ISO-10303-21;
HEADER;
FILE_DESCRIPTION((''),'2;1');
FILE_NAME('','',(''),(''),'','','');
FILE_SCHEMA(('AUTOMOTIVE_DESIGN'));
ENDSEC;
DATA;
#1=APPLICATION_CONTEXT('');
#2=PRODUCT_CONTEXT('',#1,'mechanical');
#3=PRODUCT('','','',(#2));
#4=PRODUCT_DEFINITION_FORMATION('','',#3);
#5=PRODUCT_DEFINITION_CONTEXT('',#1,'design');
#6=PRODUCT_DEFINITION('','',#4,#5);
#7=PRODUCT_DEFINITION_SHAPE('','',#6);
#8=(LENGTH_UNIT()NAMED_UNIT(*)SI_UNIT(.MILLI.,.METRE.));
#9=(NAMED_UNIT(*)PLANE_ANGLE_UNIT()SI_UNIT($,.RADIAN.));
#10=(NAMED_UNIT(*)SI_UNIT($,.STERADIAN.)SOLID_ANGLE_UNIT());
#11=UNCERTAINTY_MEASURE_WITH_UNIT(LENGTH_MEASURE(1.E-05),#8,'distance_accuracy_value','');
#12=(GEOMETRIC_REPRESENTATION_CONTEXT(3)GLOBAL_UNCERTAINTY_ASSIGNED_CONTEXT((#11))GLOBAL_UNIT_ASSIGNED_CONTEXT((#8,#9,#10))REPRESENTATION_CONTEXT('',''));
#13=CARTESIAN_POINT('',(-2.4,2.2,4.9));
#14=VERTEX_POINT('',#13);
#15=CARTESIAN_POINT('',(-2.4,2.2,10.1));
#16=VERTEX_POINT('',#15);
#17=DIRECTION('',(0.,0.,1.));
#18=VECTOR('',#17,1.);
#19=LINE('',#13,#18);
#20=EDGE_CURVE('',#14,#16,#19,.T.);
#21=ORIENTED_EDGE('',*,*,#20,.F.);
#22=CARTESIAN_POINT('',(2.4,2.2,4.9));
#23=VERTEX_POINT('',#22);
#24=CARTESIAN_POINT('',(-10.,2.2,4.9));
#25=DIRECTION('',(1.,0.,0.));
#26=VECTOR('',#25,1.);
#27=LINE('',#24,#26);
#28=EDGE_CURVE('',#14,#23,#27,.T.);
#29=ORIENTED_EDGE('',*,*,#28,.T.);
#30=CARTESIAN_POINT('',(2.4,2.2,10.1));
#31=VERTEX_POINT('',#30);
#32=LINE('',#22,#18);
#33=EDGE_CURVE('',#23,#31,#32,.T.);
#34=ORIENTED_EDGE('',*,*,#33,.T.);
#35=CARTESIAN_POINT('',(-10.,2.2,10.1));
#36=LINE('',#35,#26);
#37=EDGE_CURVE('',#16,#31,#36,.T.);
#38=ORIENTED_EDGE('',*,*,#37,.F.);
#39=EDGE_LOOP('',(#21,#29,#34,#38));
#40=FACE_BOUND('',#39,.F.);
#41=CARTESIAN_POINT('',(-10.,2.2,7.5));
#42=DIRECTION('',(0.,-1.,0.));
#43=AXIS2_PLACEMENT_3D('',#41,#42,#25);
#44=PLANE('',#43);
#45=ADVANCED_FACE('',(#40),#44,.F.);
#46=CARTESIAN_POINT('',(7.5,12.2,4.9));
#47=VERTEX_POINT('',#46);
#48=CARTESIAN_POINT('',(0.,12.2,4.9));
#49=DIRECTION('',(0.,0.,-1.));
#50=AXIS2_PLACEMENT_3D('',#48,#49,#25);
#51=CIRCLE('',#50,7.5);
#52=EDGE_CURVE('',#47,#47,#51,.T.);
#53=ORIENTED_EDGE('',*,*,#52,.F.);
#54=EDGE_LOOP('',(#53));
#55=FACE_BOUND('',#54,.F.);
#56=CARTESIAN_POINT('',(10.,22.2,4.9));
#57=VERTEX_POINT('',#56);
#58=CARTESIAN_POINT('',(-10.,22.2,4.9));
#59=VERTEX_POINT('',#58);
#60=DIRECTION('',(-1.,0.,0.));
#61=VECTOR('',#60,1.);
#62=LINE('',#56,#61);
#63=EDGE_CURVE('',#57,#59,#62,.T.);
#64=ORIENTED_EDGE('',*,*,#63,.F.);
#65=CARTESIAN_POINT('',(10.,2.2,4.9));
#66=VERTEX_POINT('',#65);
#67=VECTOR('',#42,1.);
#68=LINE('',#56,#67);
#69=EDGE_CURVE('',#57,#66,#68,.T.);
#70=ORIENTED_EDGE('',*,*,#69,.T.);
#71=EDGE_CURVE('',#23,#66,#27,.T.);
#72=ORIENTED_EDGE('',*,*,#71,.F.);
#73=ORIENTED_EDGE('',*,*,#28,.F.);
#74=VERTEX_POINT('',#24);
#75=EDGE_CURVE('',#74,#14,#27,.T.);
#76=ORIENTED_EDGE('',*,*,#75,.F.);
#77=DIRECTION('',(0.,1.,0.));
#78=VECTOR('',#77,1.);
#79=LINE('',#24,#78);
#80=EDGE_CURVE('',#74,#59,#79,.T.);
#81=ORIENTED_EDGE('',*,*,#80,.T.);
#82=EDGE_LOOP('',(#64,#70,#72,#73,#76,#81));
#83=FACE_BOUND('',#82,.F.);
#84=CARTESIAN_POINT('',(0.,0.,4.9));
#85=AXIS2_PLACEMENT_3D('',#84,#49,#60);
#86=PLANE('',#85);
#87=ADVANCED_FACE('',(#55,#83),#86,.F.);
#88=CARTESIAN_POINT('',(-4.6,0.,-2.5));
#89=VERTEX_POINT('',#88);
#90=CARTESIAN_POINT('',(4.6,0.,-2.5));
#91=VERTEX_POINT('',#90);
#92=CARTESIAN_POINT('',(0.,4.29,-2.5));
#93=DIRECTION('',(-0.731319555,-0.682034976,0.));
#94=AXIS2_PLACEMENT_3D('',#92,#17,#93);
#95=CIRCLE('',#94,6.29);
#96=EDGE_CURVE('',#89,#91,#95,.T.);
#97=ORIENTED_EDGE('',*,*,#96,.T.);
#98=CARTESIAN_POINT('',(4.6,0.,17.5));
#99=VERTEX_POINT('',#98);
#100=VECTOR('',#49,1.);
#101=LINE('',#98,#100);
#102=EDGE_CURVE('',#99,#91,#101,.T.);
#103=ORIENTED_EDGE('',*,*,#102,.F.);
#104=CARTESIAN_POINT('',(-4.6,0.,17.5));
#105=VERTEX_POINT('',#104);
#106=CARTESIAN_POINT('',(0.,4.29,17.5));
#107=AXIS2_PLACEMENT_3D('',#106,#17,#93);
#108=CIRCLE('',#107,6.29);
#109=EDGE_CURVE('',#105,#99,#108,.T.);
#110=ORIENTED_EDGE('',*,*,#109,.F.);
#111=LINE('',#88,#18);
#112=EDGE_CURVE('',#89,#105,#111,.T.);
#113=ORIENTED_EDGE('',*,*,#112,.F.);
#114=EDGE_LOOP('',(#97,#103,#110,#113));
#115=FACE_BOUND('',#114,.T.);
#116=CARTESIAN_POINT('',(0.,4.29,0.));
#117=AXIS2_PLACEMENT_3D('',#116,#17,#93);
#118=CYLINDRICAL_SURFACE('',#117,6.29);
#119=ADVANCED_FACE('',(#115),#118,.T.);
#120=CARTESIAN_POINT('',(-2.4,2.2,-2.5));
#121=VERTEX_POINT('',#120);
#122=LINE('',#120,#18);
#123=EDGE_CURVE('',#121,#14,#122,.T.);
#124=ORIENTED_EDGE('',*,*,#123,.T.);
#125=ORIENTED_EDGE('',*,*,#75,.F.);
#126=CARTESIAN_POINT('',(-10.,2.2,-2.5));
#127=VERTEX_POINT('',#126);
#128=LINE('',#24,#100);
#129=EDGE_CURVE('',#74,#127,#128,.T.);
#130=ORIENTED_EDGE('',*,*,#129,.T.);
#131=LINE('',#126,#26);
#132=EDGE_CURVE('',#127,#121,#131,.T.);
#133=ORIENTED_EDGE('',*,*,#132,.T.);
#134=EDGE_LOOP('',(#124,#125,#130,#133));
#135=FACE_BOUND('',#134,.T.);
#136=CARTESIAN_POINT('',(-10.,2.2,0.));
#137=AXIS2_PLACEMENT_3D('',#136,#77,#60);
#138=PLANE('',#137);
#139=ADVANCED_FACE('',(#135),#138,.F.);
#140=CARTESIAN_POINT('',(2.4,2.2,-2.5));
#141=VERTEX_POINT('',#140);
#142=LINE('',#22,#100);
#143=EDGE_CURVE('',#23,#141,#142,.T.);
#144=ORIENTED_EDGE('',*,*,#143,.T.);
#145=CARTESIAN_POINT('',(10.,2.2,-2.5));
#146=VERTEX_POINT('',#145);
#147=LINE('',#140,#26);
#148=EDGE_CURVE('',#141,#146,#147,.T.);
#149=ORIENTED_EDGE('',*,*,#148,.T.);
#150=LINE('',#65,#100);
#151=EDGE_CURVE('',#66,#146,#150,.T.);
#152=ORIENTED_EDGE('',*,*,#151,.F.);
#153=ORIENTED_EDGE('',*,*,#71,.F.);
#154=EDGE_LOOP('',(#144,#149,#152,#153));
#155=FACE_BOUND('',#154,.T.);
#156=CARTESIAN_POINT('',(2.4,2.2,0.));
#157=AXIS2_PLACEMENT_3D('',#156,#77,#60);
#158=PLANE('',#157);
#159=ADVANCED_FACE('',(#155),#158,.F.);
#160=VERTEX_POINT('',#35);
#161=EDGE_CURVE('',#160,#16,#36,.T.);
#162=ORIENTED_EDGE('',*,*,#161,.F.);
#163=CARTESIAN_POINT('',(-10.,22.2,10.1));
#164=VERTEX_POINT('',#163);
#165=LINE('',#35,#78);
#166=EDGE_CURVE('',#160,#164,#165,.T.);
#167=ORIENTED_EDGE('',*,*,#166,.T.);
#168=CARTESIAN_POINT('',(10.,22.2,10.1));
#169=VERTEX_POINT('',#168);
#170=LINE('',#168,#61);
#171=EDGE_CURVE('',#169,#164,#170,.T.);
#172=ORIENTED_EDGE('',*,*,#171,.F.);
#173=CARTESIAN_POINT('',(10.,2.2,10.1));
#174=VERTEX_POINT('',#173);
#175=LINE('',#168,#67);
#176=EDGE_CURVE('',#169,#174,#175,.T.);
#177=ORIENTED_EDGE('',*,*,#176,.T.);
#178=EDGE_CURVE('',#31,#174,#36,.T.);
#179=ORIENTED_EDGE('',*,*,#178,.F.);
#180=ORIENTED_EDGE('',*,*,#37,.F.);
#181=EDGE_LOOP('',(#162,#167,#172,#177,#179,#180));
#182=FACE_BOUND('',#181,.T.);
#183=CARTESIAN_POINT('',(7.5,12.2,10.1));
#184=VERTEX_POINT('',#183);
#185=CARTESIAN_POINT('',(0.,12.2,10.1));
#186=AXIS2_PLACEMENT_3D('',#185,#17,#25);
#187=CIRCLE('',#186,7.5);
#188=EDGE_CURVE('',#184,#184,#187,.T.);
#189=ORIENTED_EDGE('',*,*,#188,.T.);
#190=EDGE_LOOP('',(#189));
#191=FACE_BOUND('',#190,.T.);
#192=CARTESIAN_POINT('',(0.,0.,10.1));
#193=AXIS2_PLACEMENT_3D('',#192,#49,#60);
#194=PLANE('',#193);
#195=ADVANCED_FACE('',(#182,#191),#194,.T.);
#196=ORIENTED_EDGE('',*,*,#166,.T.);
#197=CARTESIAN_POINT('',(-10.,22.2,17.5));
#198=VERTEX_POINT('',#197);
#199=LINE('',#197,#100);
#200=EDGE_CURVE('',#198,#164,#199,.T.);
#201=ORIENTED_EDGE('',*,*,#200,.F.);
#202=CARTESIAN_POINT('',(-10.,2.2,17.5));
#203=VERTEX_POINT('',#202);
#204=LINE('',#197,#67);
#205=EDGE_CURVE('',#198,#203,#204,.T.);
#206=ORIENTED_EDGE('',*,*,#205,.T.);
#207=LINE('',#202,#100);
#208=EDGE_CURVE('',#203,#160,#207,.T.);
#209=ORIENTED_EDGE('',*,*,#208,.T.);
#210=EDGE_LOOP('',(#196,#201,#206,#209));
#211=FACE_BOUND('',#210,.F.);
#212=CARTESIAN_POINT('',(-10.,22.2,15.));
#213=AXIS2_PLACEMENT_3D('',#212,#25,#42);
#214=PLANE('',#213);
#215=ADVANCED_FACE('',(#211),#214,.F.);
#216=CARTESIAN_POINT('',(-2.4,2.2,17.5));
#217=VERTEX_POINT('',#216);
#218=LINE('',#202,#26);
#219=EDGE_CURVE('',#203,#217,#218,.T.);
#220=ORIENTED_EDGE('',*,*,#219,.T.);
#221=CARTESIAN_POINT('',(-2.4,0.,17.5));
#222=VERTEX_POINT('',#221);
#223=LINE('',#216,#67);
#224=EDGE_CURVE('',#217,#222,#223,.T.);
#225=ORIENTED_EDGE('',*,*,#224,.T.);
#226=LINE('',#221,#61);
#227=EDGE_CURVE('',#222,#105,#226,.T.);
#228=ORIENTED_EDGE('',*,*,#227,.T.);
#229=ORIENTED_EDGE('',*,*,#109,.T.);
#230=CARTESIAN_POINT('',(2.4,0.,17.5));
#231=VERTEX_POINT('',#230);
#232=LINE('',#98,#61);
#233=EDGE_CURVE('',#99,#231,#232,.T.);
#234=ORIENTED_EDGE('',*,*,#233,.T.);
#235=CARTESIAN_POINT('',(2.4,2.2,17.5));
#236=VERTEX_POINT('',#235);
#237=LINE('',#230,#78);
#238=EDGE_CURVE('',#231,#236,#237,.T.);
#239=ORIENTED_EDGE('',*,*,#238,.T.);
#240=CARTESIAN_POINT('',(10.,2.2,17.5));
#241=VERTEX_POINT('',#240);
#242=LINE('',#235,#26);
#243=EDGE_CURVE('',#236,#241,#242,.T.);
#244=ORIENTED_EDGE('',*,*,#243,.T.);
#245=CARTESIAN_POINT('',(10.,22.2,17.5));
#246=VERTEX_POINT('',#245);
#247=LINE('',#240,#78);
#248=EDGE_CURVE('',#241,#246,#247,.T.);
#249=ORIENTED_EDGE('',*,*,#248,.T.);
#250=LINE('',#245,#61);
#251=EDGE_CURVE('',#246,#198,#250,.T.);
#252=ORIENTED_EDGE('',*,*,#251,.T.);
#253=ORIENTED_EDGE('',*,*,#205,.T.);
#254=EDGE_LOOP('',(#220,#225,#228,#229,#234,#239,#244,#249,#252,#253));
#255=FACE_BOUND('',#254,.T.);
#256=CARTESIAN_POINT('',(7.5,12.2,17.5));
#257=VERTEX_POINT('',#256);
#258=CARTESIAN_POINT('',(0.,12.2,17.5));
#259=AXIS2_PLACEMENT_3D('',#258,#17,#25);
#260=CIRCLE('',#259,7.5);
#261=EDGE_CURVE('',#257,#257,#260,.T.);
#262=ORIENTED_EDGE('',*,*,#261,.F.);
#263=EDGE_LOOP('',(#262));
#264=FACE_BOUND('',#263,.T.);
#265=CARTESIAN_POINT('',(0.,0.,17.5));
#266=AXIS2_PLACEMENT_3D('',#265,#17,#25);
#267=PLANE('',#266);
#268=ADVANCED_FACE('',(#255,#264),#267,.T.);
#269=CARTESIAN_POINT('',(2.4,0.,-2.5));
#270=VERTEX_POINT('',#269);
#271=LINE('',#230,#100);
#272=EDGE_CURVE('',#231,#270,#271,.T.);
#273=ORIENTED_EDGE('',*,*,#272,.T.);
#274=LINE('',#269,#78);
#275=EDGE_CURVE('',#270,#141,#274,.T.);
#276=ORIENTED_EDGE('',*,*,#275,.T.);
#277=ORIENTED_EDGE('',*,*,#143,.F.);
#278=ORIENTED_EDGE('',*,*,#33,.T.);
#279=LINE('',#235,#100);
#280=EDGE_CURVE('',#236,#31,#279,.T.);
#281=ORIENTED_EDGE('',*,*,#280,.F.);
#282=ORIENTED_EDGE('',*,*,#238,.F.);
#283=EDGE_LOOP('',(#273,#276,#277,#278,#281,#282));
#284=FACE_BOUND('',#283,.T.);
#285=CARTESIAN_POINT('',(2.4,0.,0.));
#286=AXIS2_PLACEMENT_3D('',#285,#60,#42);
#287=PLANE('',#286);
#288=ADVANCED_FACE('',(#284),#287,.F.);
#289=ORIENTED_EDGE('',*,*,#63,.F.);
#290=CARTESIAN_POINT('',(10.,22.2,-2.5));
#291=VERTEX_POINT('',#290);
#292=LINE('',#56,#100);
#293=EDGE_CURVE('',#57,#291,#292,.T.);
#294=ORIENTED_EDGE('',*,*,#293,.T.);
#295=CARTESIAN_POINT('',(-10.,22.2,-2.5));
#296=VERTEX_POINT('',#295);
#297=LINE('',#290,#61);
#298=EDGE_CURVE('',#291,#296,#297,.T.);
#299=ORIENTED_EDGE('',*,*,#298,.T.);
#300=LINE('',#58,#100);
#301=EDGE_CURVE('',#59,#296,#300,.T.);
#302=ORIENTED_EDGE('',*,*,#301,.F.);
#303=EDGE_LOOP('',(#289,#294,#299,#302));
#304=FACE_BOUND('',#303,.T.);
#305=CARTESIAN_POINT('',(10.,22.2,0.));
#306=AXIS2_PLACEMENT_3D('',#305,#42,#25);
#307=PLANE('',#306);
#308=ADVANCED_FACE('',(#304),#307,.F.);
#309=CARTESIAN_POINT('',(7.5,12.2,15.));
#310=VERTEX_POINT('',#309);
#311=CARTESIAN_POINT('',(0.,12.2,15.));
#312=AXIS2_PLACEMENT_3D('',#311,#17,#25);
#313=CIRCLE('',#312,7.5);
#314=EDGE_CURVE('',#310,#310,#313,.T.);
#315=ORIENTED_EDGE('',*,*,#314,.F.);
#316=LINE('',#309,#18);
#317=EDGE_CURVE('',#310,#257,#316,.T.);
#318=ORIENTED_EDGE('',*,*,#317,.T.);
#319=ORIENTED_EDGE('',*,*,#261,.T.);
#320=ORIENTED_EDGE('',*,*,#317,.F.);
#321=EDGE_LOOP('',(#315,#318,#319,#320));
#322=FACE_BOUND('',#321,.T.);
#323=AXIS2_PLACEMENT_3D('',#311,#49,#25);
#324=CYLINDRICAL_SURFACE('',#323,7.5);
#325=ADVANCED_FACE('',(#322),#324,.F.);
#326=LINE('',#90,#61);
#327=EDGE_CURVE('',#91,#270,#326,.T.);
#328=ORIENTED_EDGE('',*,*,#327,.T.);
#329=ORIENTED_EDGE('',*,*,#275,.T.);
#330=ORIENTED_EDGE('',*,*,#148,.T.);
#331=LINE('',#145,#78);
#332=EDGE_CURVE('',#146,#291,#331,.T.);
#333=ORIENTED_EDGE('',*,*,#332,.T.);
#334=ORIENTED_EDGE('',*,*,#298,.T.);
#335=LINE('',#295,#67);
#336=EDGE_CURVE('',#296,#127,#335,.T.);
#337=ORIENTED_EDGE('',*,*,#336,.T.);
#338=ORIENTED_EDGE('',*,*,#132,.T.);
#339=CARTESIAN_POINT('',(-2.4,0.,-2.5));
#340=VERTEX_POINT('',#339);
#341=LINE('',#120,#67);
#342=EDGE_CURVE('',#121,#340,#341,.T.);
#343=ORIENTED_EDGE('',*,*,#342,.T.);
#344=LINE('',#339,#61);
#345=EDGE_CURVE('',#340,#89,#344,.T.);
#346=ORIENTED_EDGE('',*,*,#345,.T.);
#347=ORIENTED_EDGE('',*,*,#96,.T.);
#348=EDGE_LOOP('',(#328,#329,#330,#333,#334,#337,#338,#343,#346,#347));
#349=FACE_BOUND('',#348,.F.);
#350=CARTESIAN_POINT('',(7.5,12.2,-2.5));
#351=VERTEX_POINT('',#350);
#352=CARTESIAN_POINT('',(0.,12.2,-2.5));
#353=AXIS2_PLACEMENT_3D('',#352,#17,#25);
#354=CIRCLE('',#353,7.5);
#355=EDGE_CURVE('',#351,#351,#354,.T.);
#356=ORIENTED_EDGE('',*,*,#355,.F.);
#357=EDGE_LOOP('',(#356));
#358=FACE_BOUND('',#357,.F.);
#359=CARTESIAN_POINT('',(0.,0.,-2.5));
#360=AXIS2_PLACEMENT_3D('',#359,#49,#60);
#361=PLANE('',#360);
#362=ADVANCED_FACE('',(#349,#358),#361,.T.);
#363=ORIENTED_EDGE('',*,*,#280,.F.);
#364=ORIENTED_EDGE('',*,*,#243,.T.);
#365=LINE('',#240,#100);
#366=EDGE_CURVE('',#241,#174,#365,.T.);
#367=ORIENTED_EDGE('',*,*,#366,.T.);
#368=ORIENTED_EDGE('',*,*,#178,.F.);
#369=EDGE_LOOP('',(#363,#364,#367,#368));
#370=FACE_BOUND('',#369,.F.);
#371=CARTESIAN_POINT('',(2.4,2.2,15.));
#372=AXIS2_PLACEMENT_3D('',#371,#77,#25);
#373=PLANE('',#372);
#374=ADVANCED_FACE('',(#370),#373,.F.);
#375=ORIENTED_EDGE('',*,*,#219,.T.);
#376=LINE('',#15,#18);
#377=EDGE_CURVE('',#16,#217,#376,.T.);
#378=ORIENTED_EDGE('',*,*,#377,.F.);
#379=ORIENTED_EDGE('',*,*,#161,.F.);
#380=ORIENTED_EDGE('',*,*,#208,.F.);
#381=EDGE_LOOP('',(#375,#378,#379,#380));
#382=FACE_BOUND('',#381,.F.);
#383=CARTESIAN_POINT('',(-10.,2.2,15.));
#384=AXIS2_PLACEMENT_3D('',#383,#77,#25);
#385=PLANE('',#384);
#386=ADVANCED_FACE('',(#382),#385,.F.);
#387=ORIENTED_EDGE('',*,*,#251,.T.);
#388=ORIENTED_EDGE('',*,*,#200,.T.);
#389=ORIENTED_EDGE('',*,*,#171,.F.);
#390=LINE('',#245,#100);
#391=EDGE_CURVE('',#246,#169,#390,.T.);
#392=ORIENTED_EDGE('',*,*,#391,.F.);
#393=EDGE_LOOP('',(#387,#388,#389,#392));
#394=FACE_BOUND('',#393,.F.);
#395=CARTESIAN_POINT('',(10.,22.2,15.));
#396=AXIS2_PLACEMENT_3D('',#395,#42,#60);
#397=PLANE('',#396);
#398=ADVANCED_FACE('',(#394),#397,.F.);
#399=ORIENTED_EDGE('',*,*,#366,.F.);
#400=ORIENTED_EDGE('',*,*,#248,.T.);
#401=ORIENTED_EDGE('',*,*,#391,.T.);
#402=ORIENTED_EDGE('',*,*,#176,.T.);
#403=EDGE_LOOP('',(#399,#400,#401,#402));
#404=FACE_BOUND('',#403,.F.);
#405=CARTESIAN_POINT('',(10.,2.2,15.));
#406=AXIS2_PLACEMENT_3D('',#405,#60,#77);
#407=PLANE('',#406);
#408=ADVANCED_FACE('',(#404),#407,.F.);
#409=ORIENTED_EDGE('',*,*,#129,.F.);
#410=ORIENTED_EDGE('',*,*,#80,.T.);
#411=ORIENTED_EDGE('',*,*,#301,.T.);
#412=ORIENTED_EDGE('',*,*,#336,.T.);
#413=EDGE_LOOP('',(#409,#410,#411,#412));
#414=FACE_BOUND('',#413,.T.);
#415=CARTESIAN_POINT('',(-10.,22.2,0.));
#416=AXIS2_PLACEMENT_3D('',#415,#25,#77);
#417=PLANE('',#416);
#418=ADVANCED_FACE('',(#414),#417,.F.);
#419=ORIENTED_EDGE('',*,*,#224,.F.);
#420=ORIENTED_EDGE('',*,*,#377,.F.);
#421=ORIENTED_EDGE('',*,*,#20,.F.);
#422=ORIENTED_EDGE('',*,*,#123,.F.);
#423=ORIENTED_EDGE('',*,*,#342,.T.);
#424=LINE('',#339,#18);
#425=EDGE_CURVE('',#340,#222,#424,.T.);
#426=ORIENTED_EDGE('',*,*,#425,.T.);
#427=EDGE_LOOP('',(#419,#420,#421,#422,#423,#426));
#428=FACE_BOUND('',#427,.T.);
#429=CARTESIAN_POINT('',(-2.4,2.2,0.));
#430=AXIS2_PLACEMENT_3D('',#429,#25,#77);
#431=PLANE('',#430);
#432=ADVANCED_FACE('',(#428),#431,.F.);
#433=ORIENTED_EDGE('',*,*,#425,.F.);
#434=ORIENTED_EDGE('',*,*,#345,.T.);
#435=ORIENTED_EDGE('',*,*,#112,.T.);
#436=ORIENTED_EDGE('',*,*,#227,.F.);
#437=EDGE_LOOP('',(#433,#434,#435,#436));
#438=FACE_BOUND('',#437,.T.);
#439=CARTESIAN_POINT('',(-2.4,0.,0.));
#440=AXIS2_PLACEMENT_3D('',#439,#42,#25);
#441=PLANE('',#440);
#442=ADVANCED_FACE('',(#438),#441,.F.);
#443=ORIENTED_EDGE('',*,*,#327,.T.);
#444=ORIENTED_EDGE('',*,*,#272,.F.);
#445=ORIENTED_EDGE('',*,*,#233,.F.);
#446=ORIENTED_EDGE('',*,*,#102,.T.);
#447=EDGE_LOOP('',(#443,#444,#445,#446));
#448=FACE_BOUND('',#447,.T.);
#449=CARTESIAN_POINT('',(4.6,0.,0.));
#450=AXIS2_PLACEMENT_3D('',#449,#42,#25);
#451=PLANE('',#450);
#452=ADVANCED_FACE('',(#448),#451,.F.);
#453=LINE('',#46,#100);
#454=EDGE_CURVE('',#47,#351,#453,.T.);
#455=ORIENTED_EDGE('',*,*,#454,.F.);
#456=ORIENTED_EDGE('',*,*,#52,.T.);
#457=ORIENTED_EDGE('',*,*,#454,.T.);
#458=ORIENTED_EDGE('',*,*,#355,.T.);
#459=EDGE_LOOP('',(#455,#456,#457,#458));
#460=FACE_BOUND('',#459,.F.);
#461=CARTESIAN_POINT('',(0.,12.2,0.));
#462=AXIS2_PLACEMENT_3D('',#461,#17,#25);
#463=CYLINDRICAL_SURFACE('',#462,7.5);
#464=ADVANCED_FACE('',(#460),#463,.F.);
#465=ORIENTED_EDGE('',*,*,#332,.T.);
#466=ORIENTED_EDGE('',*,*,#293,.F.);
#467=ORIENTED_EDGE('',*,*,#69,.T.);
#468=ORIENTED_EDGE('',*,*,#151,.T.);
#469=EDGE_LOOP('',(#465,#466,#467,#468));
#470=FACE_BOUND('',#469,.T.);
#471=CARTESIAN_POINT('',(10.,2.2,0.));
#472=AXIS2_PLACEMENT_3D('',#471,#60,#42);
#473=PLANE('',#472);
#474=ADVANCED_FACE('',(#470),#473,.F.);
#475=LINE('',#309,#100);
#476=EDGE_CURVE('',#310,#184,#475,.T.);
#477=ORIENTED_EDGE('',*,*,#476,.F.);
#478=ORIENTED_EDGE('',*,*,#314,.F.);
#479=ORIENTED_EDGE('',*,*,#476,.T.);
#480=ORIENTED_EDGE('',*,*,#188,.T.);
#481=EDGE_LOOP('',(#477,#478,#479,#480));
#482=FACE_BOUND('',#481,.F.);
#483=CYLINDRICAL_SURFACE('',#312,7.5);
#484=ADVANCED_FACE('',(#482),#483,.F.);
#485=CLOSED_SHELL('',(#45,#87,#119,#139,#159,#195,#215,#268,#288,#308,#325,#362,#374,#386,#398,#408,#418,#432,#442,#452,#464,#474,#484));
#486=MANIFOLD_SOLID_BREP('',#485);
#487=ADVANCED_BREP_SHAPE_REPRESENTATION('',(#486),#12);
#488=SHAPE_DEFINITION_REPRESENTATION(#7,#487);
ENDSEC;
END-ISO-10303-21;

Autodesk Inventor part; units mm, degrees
ref_plane "YZ Plane" through (0, 0, 0) normal (1, 0, 0) x (0, 1, 0)
ref_plane "XZ Plane" through (0, 0, 0) normal (0, 1, 0) x (-1, 0, 0)
ref_plane "XY Plane" through (0, 0, 0) normal (0, 0, 1) x (1, 0, 0)
sketch "Skizze2" plane through (0, 0, 0) normal (0, 0, 1) x (1, 0, 0)
  line L0 (2.4, 0) -> (2.4, 7)
  line L1 (-2.4, 0) -> (-2.4, 7)
  line L2 (0, 0) -> (2.4, 0) construction
  line L3 (-2.4, 7) -> (2.4, 7)
  line L4 (-2.4, 0) -> (-4.6, 0)
  line L5 (2.4, 0) -> (4.6, 0)
  arc A0 (-4.6, 0) -> (4.6, 0) centre (0, 4.29) ccw
  point P0 (0, -2)
  dimension "d0" = 7
  dimension "d1" = 4.8
  dimension "d2" = 2.4
  dimension "d3" = 2.2
  dimension "d4" = 2
extrude "Extrusion1" add sketch "Skizze2" along normal blind 15
sketch "Skizze3" plane through (0, 0, 15) normal (0, 0, 1) x (1, 0, 0)
  line L0 (-2.4, 0) -> (-2.4, 2.2) construction
  line L1 (-2.4, 2.2) -> (-10, 2.2)
  line L2 (-2.4, 2.2) -> (10, 2.2)
  line L3 (-10, 2.2) -> (10, 2.2)
  line L4 (10, 2.2) -> (10, 7)
  line L5 (10, 7) -> (-10, 7)
  line L6 (-10, 7) -> (-10, 2.2)
  line L7 (-10, 7) -> (10, 7)
  line L8 (10, 7) -> (10, 22.2)
  line L9 (10, 22.2) -> (-10, 22.2)
  line L10 (-10, 22.2) -> (-10, 7)
  point P0 (0, 0)
  point P1 (2.4, 7)
  dimension "d7" = 2.2
  dimension "d8" = 20
  dimension "d9" = 10
  dimension "d10" = 20
  dimension "d39" = 20
extrude "Extrusion2" add sketch "Skizze3" against normal blind 5
sketch "Skizze15" plane through (0, 0, 15) normal (0, 0, 1) x (1, 0, 0)
  circle A0 centre (0, 12.2) radius 7.5
  line L0 (-10, 22.2) -> (-10, 2.2) projected
  line L1 (10, 22.2) -> (-10, 22.2) projected
  point P0 (0, 0)
  dimension "d40" = 15
  dimension "d41" = 10
  dimension "d42" = 10
extrude "Extrusion12" cut sketch "Skizze15" against normal blind 5
sketch "Skizze16" plane through (0, 0, 0) normal (0, 0, -1) x (-1, 0, 0)
  line L0 (-10, 2.2) -> (-2.4, 2.2) projected
  line L1 (10, 22.2) -> (10, 2.2) projected
  line L2 (-10, 2.2) -> (10, 2.2)
  line L3 (10, 2.2) -> (10, 22.2)
  line L4 (10, 22.2) -> (-10, 22.2)
  line L5 (-10, 22.2) -> (-10, 2.2)
  point P0 (0, 0)
  point P1 (10, 2.2)
extrude "Extrusion13" cut sketch "Skizze16" against normal blind 10
ref_plane "Arbeitsebene3" through (0, 0, 7.5) normal (0, 0, -1) x (-1, 0, 0)
mirror "Spiegeln2" about plane through (0, 0, 7.5) normal (0, 0, -1) of "Extrusion2", "Extrusion12"
sketch "Skizze18" plane through (0, 0, 7.5) normal (0, 0, -1) x (-1, 0, 0)
  line L0 (10, 2.2) -> (10, 22.2) projected
  line L1 (-10, 22.2) -> (-10, 2.2) projected
  line L2 (10, 2.2) -> (-10, 2.2)
  line L3 (-10, 2.2) -> (-10, 22.2)
  line L4 (-10, 22.2) -> (10, 22.2)
  line L5 (10, 22.2) -> (10, 2.2)
  point P0 (0, 0)
  point P1 (-10, 2.2)
extrude "Extrusion14" cut sketch "Skizze18" along normal mid plane 5.2
sketch "Skizze19" plane through (0, 0, 15) normal (0, 0, 1) x (1, 0, 0)
  circle A0 centre (0, 12.2) radius 7.5 projected
  line L0 (-2.4, 2.2) -> (-2.4, 0) projected
  line L1 (-2.4, 0) -> (-4.6, 0) projected
  arc A1 (-4.6, 0) -> (4.6, 0) centre (0, 4.29) ccw projected
  line L2 (4.6, 0) -> (2.4, 0) projected
  line L3 (2.4, 0) -> (2.4, 2.2) projected
  line L4 (2.4, 2.2) -> (10, 2.2) projected
  line L5 (10, 2.2) -> (10, 22.2) projected
  line L6 (10, 22.2) -> (-10, 22.2) projected
  line L7 (-10, 22.2) -> (-10, 2.2) projected
  line L8 (-10, 2.2) -> (-2.4, 2.2) projected
  point P0 (0, 0)
extrude "Extrusion15" add sketch "Skizze19" along normal blind 2.5
mirror "Spiegeln3" about plane through (0, 0, 7.5) normal (0, 0, -1) of "Extrusion15"
ref_plane "Arbeitsebene4" through (0, 0, 7.5) normal (0, 0, -1) x (-1, 0, 0)
properties part number "Connector MiniTec"
